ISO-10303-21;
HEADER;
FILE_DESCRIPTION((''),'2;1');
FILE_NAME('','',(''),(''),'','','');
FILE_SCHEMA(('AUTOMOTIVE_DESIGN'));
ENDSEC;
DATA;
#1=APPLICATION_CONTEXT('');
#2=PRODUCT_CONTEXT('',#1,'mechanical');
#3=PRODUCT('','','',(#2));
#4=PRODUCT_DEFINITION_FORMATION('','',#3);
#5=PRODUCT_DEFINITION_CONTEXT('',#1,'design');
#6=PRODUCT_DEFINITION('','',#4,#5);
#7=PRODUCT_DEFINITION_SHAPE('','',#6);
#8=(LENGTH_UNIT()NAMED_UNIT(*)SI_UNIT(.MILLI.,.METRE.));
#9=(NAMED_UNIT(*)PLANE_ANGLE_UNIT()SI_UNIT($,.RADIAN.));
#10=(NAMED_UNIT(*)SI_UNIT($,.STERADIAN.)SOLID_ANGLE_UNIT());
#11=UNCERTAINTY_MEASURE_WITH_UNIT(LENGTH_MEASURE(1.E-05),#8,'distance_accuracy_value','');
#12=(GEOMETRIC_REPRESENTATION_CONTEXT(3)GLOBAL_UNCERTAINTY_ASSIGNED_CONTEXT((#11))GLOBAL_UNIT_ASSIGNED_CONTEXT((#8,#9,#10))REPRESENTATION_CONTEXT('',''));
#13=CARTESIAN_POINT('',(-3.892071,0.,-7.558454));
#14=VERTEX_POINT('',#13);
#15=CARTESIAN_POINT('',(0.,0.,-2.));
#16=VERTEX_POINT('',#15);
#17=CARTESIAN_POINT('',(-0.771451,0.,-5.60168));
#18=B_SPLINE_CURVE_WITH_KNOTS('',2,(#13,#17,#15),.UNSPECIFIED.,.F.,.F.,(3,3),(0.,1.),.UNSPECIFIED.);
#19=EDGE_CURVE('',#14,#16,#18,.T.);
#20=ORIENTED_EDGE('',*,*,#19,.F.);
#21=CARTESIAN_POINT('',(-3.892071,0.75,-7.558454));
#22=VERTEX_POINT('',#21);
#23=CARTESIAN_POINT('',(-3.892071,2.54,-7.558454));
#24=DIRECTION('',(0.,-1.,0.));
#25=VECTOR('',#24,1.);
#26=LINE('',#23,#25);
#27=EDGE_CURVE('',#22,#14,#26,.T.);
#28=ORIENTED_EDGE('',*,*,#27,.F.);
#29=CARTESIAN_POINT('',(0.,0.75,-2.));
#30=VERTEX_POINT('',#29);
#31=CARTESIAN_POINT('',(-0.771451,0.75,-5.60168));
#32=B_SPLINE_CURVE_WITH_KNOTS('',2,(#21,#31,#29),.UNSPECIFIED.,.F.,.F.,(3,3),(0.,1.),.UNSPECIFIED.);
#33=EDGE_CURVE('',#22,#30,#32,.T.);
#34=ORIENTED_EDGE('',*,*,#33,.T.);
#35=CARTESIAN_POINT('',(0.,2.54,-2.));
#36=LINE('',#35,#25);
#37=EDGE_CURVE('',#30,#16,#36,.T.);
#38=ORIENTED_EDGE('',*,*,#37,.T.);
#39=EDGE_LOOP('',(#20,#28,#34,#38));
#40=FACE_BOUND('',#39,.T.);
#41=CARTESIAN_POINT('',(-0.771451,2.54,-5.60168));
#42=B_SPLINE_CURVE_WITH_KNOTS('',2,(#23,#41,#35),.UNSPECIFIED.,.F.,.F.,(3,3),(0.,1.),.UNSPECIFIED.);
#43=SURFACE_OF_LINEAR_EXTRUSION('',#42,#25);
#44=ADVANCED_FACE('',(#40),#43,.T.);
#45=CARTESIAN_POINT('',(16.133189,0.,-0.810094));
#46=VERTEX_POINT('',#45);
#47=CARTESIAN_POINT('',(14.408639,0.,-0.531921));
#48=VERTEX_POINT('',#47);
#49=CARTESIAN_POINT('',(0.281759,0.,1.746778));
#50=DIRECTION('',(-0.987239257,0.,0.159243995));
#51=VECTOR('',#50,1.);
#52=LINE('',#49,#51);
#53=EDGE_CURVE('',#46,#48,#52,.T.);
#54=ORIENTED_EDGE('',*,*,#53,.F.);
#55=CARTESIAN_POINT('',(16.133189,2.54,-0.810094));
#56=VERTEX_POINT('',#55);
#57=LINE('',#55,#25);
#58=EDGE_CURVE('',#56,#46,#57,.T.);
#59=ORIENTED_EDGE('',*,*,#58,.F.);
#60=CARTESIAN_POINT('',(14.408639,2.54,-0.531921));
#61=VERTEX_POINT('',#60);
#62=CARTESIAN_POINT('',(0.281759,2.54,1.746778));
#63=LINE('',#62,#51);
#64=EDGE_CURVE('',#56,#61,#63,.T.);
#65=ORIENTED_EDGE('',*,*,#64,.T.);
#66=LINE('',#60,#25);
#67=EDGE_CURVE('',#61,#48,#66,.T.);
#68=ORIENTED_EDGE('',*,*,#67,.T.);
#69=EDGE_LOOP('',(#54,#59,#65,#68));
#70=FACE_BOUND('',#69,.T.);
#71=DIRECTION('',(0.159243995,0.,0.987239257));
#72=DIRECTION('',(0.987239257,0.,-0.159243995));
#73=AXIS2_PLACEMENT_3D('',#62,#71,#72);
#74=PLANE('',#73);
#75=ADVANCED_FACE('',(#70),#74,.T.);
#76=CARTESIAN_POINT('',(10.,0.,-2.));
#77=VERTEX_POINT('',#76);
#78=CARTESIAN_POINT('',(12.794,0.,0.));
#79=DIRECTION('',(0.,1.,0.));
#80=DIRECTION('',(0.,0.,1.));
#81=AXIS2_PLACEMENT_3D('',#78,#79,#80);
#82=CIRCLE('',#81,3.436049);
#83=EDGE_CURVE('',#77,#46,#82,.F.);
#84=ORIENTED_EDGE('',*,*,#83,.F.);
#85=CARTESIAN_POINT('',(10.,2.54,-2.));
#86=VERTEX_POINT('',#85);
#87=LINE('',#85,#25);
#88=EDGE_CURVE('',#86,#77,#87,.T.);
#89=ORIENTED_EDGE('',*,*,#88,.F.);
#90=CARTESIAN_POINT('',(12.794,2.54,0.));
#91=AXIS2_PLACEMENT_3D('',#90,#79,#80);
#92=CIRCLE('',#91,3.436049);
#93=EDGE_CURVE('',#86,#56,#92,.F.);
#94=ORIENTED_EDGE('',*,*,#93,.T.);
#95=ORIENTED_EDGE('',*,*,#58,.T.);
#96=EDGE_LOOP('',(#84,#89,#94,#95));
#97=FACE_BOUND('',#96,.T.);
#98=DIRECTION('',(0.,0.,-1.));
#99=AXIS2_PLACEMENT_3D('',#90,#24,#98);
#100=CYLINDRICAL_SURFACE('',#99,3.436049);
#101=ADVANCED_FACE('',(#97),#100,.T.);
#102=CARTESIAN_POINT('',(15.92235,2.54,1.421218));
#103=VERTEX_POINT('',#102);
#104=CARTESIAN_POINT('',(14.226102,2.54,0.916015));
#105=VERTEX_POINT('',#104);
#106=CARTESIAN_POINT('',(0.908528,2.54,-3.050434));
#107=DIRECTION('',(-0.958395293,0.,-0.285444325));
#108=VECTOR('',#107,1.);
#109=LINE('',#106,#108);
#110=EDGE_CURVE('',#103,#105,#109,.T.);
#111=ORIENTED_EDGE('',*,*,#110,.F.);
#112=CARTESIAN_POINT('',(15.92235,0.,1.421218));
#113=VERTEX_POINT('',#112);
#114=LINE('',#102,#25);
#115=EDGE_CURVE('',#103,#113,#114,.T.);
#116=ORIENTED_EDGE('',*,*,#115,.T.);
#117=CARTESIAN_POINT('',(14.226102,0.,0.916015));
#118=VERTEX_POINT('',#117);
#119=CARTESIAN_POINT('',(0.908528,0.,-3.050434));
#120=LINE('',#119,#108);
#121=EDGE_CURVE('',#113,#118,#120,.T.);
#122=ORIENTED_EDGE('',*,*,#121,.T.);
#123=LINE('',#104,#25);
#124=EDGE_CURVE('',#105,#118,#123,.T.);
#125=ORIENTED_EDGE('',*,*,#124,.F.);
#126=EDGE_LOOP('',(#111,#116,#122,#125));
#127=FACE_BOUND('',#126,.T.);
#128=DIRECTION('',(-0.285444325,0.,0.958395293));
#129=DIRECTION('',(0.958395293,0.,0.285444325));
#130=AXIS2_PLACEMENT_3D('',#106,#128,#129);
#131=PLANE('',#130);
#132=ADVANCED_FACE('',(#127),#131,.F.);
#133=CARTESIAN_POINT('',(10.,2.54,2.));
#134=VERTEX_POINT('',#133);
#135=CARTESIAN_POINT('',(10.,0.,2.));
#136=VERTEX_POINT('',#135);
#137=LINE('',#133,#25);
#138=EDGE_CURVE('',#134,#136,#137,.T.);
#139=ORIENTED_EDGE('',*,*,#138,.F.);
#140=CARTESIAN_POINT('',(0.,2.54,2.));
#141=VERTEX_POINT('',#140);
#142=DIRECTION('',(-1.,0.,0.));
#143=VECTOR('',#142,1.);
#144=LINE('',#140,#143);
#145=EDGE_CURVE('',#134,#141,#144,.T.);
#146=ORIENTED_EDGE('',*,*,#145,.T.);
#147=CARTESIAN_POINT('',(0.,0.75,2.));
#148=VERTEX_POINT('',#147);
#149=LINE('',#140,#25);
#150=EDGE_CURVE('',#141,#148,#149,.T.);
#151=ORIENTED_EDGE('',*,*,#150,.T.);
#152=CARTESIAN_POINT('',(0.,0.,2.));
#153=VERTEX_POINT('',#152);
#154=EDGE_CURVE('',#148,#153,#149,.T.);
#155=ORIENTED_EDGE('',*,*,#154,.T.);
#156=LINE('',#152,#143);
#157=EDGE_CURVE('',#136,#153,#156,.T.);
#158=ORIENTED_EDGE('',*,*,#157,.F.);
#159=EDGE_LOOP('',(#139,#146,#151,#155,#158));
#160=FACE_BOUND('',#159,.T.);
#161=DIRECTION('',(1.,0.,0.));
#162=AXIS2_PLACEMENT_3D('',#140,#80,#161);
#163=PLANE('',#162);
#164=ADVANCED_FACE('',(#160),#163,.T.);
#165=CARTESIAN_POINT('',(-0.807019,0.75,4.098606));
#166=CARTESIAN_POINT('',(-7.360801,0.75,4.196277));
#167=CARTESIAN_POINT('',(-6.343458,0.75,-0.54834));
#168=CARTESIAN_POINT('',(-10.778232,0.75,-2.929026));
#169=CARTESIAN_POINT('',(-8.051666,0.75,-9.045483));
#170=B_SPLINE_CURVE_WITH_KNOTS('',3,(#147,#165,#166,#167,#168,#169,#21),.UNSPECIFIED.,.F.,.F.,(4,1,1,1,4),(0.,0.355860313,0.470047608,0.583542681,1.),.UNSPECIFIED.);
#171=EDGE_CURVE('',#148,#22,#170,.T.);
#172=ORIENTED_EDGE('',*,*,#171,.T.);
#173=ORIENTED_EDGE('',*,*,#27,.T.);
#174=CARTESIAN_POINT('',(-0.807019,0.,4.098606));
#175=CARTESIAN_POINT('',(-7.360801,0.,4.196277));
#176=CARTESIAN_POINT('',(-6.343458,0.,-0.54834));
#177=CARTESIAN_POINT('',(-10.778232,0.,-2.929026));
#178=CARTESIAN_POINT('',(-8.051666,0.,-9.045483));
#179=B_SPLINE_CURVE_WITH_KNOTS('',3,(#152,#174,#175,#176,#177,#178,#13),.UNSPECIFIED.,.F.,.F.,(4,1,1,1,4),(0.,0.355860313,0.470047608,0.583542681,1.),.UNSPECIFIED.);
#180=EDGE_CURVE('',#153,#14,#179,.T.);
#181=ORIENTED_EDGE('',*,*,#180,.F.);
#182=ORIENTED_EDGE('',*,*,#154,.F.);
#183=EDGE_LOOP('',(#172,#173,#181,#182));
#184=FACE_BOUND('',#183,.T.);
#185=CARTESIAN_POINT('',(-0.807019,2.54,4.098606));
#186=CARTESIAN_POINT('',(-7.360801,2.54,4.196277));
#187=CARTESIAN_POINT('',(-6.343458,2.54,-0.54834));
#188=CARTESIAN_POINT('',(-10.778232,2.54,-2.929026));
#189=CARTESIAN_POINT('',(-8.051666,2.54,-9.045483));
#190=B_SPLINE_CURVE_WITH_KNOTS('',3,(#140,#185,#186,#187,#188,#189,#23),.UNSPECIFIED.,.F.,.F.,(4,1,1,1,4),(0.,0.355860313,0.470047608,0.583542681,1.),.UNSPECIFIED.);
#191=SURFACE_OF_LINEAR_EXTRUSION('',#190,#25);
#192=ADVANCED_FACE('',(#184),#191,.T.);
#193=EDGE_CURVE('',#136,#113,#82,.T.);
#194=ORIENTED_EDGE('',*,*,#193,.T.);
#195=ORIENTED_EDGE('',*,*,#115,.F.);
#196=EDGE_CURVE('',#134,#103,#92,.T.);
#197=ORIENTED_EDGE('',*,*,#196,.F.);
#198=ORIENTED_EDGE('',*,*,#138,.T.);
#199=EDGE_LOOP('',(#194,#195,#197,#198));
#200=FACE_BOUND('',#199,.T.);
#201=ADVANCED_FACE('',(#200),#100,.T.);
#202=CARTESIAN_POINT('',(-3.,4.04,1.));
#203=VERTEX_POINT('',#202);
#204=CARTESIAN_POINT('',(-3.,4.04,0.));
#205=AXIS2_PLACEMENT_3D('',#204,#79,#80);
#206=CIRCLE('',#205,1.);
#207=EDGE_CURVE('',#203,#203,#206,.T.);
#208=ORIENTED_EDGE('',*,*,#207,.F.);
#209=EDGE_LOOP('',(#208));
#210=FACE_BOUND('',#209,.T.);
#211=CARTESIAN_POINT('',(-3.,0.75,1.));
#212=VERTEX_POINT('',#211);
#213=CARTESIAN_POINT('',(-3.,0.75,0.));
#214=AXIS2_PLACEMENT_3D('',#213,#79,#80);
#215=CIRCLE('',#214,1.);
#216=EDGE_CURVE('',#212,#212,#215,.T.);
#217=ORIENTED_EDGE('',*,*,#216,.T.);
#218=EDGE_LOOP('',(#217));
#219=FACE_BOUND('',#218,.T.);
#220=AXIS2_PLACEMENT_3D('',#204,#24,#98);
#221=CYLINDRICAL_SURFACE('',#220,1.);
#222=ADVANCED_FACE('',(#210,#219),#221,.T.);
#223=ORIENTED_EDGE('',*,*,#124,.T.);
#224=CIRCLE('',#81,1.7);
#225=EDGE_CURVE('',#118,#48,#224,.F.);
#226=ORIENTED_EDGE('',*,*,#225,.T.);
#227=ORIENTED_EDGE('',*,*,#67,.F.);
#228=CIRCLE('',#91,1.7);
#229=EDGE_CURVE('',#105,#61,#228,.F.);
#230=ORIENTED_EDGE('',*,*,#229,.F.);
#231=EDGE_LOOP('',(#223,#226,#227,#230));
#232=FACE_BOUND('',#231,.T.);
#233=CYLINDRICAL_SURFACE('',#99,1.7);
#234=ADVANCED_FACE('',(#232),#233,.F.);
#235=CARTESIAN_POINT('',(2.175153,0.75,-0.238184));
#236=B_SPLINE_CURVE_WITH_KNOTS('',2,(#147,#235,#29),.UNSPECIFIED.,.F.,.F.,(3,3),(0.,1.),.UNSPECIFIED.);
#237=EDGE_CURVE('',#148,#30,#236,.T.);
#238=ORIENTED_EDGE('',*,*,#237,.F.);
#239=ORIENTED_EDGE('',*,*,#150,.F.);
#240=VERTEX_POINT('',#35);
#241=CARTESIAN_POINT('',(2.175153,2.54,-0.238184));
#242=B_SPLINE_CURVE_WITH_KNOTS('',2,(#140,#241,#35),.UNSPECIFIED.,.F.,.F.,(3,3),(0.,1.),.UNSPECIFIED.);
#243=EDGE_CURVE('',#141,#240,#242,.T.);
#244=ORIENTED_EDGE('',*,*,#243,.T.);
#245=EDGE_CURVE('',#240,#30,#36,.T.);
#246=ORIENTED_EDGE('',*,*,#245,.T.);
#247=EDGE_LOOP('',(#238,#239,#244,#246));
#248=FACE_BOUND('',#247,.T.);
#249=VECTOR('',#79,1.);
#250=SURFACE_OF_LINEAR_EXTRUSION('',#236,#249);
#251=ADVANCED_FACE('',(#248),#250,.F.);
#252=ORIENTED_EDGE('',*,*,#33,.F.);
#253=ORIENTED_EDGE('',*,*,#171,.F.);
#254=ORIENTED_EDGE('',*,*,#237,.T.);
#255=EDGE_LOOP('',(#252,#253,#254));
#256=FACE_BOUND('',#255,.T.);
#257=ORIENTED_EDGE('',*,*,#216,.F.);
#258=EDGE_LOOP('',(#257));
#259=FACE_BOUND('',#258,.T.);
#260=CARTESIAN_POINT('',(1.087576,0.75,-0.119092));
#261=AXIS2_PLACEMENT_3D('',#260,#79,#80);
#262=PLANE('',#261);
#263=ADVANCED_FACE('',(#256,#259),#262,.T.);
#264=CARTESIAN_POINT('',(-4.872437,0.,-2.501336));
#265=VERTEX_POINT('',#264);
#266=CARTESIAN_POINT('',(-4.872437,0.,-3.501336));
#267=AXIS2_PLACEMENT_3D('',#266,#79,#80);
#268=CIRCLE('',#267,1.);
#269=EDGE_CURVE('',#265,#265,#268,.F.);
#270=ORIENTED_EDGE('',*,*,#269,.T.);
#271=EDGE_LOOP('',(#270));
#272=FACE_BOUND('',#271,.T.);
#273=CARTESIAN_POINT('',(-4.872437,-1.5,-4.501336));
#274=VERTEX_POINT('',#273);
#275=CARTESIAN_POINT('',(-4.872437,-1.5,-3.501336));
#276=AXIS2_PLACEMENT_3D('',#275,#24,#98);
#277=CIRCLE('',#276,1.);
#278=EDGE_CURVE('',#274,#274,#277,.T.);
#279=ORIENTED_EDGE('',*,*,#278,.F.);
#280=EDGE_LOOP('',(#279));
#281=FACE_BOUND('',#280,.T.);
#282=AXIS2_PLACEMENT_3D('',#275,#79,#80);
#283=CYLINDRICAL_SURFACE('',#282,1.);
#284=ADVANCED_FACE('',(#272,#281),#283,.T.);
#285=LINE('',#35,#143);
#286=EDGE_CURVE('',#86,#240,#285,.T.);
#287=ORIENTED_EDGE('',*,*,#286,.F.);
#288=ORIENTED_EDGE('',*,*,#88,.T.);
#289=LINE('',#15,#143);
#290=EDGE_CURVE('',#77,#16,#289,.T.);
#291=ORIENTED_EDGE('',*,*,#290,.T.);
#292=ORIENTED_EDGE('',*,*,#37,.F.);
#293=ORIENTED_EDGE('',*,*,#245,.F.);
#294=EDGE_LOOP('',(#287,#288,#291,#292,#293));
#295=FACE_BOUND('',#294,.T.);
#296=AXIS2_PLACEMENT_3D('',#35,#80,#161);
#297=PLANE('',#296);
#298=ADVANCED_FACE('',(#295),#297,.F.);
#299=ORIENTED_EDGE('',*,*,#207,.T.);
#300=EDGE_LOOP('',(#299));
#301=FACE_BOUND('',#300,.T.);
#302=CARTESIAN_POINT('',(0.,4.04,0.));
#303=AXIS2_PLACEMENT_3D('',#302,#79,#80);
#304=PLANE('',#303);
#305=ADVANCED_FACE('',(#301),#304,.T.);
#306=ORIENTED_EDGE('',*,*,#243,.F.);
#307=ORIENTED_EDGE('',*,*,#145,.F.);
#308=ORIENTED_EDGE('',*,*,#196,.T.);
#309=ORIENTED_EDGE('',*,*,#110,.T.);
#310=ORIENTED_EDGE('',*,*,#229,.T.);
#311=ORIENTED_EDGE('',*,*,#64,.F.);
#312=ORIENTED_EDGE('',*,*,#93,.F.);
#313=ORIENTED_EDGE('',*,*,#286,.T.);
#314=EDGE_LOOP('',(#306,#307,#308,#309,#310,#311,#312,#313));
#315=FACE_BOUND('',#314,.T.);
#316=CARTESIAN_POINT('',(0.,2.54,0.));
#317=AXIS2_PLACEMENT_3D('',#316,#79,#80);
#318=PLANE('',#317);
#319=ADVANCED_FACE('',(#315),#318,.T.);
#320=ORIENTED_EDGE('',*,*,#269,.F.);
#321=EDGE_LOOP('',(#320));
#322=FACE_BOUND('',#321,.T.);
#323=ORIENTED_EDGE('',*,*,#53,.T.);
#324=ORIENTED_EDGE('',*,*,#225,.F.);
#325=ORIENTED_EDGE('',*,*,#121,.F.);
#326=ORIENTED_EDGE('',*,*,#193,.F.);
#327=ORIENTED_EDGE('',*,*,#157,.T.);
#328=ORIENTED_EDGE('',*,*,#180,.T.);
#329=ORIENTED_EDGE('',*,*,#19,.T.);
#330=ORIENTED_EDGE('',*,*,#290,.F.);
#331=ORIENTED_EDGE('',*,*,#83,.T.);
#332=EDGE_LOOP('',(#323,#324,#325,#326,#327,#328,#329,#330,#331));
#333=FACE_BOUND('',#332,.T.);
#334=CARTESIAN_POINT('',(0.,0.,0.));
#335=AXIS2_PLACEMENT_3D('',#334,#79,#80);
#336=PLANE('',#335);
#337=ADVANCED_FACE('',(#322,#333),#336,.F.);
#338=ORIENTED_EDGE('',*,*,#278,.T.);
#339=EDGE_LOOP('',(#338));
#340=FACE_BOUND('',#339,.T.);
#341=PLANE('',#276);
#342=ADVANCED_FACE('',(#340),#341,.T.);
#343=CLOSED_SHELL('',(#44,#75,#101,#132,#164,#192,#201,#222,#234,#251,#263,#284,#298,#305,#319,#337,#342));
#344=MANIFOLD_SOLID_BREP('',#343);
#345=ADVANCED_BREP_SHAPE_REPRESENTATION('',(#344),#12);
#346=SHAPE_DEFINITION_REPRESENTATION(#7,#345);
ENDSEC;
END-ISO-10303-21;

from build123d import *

# Parameters (mm, degrees)
SKETCH1_W               = 10
SKETCH1_H               = 4
BOSS_EXTRUDE2_DEPTH     = 2.54
SKETCH3_R               = 1
BOSS_EXTRUDE3_DEPTH     = 1.5
SKETCH4_R               = 1
BOSS_EXTRUDE5_DEPTH     = 1.5
SKETCH6_R               = 1
CUT_EXTRUDE1_DEPTH      = 2.54
CUT_EXTRUDE1_DEPTH_BACK = 1.27


with BuildPart() as part:
    # Sketch1 → Boss-Extrude2 (new body)
    with BuildSketch(Plane(origin=(0, 0, 0), x_dir=(1, 0, 0), z_dir=(0, 1, 0))):
        with BuildLine():
            add(Edge.make_bspline(
                [(-3.892071286, 7.55845385), (-0.771451313, 5.601679727), (0, 2)],
                knots=[0, 0, 0, 1, 1, 1], degree=2))
            Line((0, 2), (0, -2))
            add(Edge.make_bspline(
                [(0, -2), (-0.807019421, -4.0986057), (-7.360800537, -4.196276699), (-6.343457725, 0.548340217), (-10.778232398, 2.929025773), (-8.051665625, 9.045483404), (-3.892071286, 7.55845385)],
                knots=[0, 0, 0, 0, 0.355860313, 0.470047608, 0.583542681, 1, 1, 1, 1], degree=3))
        make_face()
        with Locations((5, 0)):
            Rectangle(SKETCH1_W, SKETCH1_H)
        with BuildLine():
            Line((11.094, 0), (10, 0))
            Line((10, 0), (10, -2))
            ThreePointArc((10, -2), (13.128207579, -3.419757491), (15.922350304, -1.421217919))
            Line((15.922350304, -1.421217919), (14.22610231, -0.916014724))
            ThreePointArc((14.22610231, -0.916014724), (12.316807128, -1.631651606), (11.094, 0))
        make_face()
        with BuildLine():
            Line((10, 2), (10, 0))
            Line((10, 0), (11.094, 0))
            ThreePointArc((11.094, 0), (12.524636877, 1.678524205), (14.408639421, 0.531920615))
            Line((14.408639421, 0.531920615), (16.133188964, 0.810094479))
            ThreePointArc((16.133188964, 0.810094479), (13.448428406, 3.373152748), (10, 2))
        make_face()
    extrude(amount=BOSS_EXTRUDE2_DEPTH)

    # Sketch3 → Boss-Extrude3 (add)
    with BuildSketch(Plane(origin=(0, 2.54, 0), x_dir=(1, 0, 0), z_dir=(0, 1, 0))):
        with Locations((-3, 0)):
            Circle(SKETCH3_R)
    extrude(amount=BOSS_EXTRUDE3_DEPTH)

    # Sketch4 → Boss-Extrude5 (add)
    with BuildSketch(Plane(origin=(0, 0, 0), x_dir=(-1, 0, 0), z_dir=(0, -1, 0))):
        with Locations((4.872437244, 3.501336217)):
            Circle(SKETCH4_R)
    extrude(amount=BOSS_EXTRUDE5_DEPTH)

    # Sketch6 → Cut-Extrude1 (cut, two sides)
    with BuildSketch(Plane(origin=(0, 2.02, 0), x_dir=(1, 0, 0), z_dir=(0, 1, 0))) as cut_extrude1_sk:
        with BuildLine():
            Line((0, 8.859088838), (0, 2))
            add(Edge.make_bspline(
                [(0, 2), (2.175152806, 0.238184258), (0, -2)],
                knots=[0, 0, 0, 1, 1, 1], degree=2))
            Line((0, -2), (0, -4.672458071))
            Line((0, -4.672458071), (-11.092635024, -4.672458071))
            Line((-11.092635024, -4.672458071), (-11.092635024, 8.859088838))
            Line((-11.092635024, 8.859088838), (0, 8.859088838))
        make_face()
        with Locations((-3, 0)):
            Circle(SKETCH6_R, mode=Mode.SUBTRACT)
    extrude(amount=CUT_EXTRUDE1_DEPTH, mode=Mode.SUBTRACT)
    extrude(cut_extrude1_sk.sketch, amount=-CUT_EXTRUDE1_DEPTH_BACK, mode=Mode.SUBTRACT)


solid = part.part
